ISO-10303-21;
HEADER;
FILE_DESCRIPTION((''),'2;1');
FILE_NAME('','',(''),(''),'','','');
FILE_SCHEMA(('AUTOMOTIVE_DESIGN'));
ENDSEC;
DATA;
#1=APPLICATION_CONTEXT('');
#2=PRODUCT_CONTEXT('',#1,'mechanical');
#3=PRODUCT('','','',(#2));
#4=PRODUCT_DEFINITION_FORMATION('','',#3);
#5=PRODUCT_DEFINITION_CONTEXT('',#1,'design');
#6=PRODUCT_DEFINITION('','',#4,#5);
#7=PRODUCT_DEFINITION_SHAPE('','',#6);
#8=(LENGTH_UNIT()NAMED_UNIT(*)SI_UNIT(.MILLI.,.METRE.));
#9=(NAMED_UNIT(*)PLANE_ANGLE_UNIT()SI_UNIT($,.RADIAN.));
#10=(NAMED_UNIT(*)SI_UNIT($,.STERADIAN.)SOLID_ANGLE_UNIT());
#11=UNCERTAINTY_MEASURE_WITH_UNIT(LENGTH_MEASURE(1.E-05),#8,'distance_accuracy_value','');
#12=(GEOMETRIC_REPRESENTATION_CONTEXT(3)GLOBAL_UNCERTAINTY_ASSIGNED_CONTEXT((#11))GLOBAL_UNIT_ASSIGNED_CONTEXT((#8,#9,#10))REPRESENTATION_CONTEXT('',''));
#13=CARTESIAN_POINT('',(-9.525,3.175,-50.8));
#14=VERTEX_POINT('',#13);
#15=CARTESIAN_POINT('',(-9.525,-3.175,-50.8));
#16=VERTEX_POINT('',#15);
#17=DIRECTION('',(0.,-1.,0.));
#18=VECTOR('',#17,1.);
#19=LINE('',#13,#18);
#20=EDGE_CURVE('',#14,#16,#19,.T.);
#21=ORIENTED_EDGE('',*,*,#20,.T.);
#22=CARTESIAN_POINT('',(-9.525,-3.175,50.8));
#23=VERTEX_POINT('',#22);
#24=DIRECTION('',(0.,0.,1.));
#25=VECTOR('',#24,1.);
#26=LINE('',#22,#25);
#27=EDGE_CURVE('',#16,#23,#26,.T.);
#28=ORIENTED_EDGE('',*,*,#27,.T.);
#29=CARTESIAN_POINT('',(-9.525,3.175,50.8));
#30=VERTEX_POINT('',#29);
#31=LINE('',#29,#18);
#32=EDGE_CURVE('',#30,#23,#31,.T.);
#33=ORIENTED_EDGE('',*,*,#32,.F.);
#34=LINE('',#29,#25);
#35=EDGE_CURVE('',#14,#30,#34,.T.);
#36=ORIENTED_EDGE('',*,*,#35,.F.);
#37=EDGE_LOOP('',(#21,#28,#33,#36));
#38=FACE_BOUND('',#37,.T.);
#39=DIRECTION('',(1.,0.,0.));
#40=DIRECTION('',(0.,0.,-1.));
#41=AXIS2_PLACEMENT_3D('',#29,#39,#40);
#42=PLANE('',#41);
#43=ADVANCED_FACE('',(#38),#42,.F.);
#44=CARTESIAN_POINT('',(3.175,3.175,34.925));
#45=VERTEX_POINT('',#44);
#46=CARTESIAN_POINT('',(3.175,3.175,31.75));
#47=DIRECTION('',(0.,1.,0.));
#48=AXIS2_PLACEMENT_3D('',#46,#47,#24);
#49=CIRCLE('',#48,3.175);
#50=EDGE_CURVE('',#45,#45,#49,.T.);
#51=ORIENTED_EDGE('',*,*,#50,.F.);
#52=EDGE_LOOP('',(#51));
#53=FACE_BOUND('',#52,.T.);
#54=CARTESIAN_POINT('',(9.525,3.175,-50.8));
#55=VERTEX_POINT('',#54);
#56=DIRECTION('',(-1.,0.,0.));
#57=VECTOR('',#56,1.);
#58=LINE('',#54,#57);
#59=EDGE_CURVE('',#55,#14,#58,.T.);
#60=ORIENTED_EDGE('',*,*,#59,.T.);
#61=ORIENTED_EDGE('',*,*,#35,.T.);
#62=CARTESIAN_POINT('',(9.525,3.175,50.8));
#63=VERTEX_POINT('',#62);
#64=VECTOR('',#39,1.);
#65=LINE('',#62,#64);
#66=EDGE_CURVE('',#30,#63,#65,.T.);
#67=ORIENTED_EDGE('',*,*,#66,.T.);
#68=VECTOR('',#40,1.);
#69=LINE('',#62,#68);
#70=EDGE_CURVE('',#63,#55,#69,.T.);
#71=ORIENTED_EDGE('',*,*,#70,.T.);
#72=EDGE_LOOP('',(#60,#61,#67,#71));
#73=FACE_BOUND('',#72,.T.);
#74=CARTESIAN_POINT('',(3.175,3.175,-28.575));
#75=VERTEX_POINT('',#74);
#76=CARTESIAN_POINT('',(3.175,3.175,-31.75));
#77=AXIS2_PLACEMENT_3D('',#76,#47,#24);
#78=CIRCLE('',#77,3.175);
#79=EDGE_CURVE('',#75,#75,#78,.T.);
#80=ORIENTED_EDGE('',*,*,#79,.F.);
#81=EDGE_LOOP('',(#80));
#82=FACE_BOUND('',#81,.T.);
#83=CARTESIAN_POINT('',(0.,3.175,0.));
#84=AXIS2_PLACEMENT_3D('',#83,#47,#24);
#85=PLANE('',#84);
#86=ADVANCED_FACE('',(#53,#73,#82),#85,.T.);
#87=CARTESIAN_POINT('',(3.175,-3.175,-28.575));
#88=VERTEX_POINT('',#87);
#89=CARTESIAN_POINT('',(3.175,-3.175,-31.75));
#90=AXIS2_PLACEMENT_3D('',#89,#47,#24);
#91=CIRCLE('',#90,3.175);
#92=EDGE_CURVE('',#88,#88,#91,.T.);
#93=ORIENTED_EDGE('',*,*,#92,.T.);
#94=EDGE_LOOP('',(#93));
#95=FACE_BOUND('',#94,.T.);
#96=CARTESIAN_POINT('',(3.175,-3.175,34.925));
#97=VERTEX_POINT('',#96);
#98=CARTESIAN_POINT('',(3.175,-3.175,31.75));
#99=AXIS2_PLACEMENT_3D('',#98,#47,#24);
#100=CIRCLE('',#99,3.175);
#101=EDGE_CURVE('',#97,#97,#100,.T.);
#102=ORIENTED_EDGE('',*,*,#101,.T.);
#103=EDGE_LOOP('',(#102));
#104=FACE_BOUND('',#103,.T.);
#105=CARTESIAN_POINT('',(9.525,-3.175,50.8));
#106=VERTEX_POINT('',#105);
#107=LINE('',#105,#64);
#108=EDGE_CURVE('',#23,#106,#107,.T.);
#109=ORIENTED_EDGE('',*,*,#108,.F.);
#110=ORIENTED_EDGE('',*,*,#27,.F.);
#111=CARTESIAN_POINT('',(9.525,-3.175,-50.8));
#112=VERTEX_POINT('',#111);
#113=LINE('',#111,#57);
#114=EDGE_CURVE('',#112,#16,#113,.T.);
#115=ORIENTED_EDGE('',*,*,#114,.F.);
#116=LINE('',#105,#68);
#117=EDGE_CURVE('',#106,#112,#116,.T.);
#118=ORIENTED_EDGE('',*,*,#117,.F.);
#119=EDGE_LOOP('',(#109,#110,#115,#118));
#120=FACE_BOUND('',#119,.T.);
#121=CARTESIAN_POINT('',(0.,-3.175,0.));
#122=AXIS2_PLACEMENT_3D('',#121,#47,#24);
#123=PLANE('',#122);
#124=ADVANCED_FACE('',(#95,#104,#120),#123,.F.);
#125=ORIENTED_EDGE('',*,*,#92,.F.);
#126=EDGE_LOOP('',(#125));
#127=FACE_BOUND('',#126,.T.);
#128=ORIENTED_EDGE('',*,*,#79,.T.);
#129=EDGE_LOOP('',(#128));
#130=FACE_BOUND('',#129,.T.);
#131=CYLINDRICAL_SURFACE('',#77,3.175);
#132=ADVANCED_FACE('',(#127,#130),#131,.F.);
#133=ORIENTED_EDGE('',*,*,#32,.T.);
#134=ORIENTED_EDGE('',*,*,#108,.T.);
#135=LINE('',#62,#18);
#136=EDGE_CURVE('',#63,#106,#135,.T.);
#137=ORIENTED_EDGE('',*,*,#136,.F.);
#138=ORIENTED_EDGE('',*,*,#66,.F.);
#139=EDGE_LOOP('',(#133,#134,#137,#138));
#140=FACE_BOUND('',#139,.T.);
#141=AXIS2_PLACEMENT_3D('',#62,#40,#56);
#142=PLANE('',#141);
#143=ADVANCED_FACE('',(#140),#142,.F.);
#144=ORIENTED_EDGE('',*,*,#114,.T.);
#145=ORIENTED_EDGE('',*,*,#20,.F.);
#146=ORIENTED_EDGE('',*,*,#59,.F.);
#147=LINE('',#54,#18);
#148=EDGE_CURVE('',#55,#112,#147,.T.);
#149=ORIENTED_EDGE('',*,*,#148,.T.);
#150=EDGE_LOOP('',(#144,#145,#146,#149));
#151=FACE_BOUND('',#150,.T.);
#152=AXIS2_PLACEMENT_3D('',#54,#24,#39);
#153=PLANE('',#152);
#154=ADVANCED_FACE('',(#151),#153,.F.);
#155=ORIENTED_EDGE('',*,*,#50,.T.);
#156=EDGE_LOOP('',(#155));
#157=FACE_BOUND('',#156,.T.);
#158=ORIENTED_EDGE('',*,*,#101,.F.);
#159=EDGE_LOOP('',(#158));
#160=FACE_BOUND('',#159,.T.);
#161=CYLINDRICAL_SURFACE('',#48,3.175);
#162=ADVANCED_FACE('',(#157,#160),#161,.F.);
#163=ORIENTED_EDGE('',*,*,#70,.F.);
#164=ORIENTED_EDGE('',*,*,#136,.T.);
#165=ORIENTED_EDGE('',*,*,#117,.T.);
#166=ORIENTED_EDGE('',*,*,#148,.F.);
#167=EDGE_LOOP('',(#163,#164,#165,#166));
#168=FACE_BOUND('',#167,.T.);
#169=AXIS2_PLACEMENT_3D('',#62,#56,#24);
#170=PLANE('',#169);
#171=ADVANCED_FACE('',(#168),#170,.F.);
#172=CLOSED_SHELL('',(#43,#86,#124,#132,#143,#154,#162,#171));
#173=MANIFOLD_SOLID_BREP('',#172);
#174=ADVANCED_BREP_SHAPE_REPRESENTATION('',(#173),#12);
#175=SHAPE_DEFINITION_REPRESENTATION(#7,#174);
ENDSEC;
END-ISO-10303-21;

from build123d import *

# Parameters (mm, degrees)
SKETCH1_W                   = 19.05
SKETCH1_H                   = 101.6
BOSS_EXTRUDE1_DEPTH         = 3.175
F_1_4_0_25_DIAMETER_HOLE1_D = 6.35


with BuildPart() as part:
    # Sketch1 → Boss-Extrude1 (new, symmetric)
    with BuildSketch(Plane(origin=(0, 0, 0), x_dir=(1, 0, 0), z_dir=(0, 1, 0))):
        Rectangle(SKETCH1_W, SKETCH1_H)
    extrude(amount=BOSS_EXTRUDE1_DEPTH, both=True)

    # 1/4 (0.25) Diameter Hole1 (through all)
    with Locations(Plane(origin=(0, 3.175, 0), x_dir=(1, 0, 0), z_dir=(0, 1, 0))):
        with Locations((3.175, -31.75), (3.175, 31.75)):
            Hole(F_1_4_0_25_DIAMETER_HOLE1_D / 2)


solid = part.part
